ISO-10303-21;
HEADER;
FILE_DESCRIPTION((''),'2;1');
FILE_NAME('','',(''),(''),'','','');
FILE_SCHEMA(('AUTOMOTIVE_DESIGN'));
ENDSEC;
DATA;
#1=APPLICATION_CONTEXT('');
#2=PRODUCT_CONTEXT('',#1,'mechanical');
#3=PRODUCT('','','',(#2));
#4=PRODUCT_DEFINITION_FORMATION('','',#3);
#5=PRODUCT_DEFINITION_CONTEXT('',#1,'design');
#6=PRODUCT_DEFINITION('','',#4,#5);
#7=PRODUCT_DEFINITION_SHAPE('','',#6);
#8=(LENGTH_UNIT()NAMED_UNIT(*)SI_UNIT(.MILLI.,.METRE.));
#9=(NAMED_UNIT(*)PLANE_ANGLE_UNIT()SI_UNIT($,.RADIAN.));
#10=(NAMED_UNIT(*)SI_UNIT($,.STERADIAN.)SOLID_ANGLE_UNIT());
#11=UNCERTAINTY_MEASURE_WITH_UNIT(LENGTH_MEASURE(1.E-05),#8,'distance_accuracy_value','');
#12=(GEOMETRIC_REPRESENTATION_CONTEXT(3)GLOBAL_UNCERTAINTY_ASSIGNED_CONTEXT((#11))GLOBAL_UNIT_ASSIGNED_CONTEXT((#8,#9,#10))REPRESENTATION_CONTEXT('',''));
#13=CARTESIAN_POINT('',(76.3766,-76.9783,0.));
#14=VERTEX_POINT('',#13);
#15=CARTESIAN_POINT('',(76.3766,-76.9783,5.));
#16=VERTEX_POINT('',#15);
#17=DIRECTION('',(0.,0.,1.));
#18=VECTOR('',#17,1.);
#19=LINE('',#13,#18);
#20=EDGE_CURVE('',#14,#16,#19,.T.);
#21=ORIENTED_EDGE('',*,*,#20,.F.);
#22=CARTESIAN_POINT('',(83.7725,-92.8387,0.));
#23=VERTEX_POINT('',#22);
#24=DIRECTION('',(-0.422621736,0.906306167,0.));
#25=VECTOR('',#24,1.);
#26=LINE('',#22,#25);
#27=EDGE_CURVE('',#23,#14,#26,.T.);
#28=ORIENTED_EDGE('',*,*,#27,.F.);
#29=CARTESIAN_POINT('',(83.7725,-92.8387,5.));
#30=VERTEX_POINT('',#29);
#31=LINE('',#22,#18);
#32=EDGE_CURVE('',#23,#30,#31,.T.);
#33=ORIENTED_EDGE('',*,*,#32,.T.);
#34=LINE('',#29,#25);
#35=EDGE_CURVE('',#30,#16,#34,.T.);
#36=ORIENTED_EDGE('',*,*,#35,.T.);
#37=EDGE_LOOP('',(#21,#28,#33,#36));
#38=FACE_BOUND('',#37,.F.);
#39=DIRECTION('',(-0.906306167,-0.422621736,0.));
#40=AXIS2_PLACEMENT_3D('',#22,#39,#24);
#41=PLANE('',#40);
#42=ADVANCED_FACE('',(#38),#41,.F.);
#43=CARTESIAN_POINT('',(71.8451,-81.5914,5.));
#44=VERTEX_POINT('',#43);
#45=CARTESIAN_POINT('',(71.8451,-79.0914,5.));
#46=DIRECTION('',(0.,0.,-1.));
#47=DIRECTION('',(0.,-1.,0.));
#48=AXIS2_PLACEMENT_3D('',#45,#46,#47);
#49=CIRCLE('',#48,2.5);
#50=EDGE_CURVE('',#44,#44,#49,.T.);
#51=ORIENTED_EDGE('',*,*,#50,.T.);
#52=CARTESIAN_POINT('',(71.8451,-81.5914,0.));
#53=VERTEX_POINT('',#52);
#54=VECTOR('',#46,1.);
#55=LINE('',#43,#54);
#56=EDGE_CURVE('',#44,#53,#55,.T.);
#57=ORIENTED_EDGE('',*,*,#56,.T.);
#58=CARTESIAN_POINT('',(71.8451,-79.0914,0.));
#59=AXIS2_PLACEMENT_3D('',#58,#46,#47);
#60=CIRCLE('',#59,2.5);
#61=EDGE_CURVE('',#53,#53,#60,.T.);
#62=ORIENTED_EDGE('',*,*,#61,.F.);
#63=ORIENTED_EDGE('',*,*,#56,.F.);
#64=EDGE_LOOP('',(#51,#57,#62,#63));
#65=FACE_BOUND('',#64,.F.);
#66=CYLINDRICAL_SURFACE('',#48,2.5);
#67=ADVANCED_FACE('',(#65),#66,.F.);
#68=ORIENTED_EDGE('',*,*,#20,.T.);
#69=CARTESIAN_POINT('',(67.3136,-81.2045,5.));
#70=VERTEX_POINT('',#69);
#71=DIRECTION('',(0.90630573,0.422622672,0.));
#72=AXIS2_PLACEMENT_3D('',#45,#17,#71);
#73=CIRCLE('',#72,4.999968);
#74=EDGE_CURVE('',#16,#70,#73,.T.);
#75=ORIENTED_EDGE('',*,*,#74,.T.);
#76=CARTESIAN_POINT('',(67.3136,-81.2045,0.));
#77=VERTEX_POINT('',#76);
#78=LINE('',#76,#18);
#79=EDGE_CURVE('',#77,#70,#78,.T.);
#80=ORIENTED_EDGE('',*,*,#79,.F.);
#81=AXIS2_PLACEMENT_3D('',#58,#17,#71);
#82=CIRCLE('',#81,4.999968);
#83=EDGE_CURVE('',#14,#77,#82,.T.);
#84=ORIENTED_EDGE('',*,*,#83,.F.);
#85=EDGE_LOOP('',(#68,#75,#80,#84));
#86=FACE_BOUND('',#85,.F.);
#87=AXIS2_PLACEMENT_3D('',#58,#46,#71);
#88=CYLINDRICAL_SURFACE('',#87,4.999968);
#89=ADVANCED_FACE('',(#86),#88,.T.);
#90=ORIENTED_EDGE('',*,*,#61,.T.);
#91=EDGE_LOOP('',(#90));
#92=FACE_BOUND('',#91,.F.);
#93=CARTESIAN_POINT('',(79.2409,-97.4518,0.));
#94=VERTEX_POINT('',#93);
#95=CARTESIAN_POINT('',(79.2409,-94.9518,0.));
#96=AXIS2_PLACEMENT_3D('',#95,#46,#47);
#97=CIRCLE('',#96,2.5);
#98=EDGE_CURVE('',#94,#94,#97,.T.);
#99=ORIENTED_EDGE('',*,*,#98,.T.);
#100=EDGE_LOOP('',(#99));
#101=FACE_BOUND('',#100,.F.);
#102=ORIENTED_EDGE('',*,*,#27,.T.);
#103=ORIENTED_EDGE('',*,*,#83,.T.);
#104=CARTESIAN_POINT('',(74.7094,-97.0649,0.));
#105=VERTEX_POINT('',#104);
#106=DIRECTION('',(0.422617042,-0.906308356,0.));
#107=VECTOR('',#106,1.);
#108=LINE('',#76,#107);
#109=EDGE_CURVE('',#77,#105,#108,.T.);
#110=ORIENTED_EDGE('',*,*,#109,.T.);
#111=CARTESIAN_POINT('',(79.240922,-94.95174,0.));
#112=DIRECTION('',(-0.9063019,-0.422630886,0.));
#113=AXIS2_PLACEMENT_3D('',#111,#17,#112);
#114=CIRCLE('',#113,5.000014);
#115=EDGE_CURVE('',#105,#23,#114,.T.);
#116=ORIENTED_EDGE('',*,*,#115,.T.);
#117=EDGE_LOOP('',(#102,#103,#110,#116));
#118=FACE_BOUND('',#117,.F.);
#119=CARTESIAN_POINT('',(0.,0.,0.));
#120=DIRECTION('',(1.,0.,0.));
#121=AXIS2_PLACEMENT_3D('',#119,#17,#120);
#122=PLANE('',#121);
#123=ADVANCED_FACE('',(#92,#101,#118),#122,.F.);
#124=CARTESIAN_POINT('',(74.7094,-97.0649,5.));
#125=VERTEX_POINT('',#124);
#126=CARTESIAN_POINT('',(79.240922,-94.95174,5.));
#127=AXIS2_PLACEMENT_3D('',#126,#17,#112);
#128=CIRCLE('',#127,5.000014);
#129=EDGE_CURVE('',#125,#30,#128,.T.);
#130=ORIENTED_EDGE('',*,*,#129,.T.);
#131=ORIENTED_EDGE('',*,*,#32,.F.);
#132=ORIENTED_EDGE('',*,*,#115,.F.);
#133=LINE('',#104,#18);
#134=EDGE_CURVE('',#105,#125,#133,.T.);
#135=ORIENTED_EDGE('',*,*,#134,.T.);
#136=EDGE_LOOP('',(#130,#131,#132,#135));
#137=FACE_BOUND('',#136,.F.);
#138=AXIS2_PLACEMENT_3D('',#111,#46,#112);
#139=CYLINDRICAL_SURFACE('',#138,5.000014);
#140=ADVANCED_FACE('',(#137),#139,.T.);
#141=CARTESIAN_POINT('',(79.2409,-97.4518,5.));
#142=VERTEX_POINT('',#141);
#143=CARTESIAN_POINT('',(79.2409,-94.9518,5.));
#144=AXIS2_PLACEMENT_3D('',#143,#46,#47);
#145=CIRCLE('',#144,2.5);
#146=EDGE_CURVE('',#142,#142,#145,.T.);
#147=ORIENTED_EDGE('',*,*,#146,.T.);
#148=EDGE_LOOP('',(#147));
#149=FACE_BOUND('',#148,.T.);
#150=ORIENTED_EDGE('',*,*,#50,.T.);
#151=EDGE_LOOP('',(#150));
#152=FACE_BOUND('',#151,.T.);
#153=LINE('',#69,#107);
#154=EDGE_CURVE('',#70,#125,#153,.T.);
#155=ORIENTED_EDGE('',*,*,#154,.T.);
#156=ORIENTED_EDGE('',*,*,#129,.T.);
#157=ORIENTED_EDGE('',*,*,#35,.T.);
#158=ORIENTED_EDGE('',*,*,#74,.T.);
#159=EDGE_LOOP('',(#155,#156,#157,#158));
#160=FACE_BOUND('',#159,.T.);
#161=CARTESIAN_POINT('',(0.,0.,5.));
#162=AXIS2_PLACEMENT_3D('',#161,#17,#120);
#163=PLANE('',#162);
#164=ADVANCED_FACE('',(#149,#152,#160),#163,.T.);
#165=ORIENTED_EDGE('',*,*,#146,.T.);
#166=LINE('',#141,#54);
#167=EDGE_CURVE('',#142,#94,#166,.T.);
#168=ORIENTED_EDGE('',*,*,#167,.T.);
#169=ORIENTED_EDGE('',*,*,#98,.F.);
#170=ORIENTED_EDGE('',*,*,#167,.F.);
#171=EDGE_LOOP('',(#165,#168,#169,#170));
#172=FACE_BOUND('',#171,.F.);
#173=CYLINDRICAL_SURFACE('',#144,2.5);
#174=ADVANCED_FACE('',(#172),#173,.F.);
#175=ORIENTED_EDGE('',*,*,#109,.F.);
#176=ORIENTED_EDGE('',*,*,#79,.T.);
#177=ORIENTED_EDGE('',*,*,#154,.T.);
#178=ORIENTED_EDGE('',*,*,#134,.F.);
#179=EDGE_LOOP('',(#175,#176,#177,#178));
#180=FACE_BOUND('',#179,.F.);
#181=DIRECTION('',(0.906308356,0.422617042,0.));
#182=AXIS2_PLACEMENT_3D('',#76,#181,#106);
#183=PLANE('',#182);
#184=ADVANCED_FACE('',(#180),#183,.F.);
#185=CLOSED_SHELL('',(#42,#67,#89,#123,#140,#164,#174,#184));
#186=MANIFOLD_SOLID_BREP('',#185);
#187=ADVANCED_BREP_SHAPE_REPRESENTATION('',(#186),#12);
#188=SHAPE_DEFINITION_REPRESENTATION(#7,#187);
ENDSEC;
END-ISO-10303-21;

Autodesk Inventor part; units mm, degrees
ref_plane "YZ Plane" through (0, 0, 0) normal (1, 0, 0) x (0, 1, 0)
ref_plane "XZ Plane" through (0, 0, 0) normal (0, 1, 0) x (-1, 0, 0)
ref_plane "XY Plane" through (0, 0, 0) normal (0, 0, 1) x (1, 0, 0)
sketch "Sketch3" plane through (0, 0, 0) normal (0, 0, 1) x (1, 0, 0)
  line L0 (71.8451, -79.0914) -> (79.2409, -94.9518) construction
  line L1 (67.3136, -81.2045) -> (74.7094, -97.0649)
  line L2 (83.7725, -92.8387) -> (76.3766, -76.9783)
  arc A0 (76.3766, -76.9783) -> (67.3136, -81.2045) centre (71.8451, -79.0914) ccw
  arc A1 (74.7094, -97.0649) -> (83.7725, -92.8387) centre (79.2409, -94.9518) ccw
  line L3 (79.2409, -94.9518) -> (71.8451, -79.0914)
  point P0 (0, 0)
  point P1 (75.543, -87.0216)
  dimension "d16" = 10
extrude "Extrusion2" add sketch "Sketch3" along normal blind 5
sketch "Sketch4" plane through (0, 0, 5) normal (0, 0, 1) x (1, 0, 0)
  line L0 (67.3136, -81.2045) -> (74.7094, -97.0649) projected
  arc A0 (74.7094, -97.0649) -> (83.7725, -92.8387) centre (79.2409, -94.9518) ccw projected
  line L1 (83.7725, -92.8387) -> (76.3766, -76.9783) projected
  arc A1 (76.3766, -76.9783) -> (67.3136, -81.2045) centre (71.8451, -79.0914) ccw projected
  point P0 (0, 0)
hole "Hole1" at (71.8451, -79.0914, 5) at (79.2409, -94.9518, 5) direction (0, 0, -1) diameter 5 end through all
properties part number "avstandsstykke"
